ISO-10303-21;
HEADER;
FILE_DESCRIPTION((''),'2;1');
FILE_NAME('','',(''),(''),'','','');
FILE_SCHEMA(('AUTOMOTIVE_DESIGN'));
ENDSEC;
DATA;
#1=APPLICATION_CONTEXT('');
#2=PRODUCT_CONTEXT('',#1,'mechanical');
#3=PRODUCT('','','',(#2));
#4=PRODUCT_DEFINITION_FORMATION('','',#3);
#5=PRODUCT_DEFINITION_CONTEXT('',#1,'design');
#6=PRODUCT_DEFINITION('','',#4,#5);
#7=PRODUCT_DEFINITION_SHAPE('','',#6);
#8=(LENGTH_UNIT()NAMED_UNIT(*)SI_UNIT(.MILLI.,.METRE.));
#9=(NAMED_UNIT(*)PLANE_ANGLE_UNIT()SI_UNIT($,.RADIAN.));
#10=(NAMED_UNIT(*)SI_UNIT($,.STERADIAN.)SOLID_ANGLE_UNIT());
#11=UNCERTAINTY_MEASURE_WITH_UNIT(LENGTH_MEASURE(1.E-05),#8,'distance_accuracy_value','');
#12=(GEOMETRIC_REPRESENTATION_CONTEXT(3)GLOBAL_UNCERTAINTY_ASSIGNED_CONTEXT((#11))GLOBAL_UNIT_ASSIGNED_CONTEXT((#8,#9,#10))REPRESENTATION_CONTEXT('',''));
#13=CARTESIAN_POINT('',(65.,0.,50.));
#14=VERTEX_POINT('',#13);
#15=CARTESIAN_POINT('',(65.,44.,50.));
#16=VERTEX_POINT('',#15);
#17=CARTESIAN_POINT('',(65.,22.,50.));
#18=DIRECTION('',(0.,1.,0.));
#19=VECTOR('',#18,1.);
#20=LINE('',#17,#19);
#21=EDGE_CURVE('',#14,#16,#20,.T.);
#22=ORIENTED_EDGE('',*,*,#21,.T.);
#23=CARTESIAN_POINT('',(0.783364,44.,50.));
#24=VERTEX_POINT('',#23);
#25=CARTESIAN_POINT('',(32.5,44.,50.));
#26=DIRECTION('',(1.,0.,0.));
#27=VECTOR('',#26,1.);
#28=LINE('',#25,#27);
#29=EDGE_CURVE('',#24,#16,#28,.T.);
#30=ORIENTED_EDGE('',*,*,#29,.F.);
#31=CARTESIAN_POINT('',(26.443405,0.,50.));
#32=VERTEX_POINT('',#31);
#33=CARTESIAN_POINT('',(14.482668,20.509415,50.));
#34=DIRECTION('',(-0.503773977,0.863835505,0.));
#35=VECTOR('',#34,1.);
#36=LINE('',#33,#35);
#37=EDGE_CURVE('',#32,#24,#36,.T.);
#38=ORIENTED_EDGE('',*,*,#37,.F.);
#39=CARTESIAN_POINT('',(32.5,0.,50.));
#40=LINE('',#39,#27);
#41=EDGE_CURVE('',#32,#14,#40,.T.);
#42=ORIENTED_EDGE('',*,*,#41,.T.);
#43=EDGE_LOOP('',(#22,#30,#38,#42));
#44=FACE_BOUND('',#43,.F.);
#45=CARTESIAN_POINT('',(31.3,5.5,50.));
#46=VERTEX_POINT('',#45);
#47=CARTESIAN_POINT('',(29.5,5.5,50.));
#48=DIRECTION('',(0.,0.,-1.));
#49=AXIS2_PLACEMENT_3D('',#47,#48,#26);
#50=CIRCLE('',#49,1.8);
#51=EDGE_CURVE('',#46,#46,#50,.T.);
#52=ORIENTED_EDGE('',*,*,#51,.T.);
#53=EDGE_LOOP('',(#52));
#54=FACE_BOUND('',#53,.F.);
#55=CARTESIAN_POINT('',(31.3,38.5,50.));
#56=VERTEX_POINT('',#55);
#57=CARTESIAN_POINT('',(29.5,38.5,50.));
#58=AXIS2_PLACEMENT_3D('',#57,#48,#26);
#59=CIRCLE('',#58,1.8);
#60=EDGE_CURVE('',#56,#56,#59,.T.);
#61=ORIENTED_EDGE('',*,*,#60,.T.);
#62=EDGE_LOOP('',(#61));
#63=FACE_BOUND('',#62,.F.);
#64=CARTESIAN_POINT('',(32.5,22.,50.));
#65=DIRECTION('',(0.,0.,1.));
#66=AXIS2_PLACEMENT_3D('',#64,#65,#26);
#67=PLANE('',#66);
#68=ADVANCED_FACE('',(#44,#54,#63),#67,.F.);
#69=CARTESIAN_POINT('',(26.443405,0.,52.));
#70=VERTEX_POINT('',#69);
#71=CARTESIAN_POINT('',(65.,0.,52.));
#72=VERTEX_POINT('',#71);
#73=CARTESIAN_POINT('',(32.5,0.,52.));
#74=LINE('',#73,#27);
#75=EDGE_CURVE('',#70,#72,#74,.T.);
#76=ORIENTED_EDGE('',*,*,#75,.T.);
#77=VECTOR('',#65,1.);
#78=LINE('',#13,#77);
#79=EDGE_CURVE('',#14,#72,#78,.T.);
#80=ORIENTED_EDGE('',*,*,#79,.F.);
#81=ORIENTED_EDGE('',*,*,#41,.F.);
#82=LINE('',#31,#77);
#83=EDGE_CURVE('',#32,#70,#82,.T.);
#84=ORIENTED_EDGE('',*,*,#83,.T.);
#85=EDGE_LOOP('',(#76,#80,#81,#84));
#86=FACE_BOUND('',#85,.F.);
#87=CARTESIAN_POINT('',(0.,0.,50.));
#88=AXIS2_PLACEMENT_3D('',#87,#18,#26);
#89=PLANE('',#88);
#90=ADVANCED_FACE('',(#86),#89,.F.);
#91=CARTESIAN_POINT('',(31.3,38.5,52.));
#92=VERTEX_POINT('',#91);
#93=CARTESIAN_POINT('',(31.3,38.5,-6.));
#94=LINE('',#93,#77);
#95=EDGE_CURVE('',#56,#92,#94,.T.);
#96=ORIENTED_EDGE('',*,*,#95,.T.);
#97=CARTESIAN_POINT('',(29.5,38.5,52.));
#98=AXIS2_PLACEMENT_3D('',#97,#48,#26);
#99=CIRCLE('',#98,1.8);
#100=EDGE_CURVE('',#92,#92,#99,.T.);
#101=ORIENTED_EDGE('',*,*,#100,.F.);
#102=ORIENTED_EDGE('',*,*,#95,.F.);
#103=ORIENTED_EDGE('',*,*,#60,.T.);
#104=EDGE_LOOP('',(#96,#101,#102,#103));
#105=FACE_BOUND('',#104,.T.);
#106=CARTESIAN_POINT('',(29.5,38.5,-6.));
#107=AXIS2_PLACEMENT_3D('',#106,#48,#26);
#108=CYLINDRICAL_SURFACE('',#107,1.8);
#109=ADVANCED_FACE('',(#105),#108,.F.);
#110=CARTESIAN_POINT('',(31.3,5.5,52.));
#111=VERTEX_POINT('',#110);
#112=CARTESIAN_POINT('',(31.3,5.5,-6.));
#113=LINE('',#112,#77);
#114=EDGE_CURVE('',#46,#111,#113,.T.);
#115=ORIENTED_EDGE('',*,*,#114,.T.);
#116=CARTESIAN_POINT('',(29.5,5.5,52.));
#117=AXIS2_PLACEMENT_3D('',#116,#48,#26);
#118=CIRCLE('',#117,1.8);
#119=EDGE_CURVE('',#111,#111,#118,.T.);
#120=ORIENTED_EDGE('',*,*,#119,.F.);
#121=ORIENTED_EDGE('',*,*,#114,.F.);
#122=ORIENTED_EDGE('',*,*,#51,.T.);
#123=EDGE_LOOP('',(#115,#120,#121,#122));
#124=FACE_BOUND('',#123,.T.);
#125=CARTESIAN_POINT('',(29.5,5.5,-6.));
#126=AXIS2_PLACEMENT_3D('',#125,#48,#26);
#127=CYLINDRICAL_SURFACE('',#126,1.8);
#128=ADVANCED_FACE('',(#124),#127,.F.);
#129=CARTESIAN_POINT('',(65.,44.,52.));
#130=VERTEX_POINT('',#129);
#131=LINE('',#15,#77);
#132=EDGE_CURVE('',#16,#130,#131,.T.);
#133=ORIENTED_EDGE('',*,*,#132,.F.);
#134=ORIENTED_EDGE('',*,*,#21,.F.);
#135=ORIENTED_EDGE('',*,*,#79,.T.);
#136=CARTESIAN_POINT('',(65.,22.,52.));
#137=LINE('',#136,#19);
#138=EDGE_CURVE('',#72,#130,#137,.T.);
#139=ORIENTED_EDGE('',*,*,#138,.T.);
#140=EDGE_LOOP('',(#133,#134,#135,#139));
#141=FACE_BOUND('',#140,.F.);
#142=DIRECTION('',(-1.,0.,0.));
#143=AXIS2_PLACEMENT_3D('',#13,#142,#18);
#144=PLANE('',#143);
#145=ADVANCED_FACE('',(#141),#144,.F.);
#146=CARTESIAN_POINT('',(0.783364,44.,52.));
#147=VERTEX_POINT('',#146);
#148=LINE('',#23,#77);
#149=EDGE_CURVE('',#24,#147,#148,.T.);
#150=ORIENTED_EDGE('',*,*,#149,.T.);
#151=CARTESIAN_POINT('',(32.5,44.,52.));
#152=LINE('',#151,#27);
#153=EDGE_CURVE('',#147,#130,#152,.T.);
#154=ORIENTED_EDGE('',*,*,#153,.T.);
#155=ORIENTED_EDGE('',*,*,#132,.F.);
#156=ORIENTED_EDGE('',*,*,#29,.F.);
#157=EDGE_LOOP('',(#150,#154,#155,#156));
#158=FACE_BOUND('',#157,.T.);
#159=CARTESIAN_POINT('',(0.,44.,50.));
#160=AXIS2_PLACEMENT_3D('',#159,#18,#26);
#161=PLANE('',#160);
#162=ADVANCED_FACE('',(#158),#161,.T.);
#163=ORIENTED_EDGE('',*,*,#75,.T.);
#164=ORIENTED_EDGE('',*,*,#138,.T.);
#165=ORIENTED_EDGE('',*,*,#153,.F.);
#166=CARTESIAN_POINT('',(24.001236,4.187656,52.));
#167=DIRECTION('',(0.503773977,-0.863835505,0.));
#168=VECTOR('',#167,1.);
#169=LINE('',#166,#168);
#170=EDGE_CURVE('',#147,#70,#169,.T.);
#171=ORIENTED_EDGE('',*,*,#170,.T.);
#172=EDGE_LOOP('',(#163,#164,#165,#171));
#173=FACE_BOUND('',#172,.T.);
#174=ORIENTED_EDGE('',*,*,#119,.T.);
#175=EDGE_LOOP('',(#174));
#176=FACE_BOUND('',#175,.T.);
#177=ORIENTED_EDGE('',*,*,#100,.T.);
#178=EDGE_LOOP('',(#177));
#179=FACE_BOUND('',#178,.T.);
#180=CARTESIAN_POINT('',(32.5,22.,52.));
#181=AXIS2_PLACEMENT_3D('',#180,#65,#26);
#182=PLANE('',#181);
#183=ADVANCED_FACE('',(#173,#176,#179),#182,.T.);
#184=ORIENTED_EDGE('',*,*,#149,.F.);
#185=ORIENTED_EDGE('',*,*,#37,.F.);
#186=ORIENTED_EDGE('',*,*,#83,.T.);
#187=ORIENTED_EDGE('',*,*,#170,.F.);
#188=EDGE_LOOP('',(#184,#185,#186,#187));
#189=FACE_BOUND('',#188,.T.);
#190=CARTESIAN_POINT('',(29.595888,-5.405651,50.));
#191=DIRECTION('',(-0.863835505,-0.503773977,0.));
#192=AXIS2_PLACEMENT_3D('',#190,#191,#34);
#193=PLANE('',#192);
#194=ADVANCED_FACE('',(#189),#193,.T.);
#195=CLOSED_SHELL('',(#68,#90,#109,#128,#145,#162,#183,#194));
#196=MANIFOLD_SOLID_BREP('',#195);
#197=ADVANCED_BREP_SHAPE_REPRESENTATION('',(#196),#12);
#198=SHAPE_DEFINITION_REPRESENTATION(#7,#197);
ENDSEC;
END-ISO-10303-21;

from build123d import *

# Parameters (mm, degrees)
CYLINDER001_R          = 1.8
CYLINDER001_DEPTH      = 100
CYLINDER_R             = 1.8
CYLINDER_DEPTH         = 100
BOX001_W               = 25
BOX001_H               = 60
BOX001_DEPTH           = 25
BOX001_PLACEMENT_ANGLE = 30.25
BOX_W                  = 65
BOX_H                  = 44
BOX_DEPTH              = 2


with BuildPart() as zylinder001:
    # Cylinder001 → Cylinder001 (new body)
    with BuildSketch(Plane(origin=(29.5, 5.5, -6), x_dir=(1, 0, 0), z_dir=(0, 0, 1))):
        Circle(CYLINDER001_R)
    extrude(amount=CYLINDER001_DEPTH)


with BuildPart() as zylinder:
    # Cylinder → Cylinder (new body)
    with BuildSketch(Plane(origin=(29.5, 38.5, -6), x_dir=(1, 0, 0), z_dir=(0, 0, 1))):
        Circle(CYLINDER_R)
    extrude(amount=CYLINDER_DEPTH)


with BuildPart() as w_rfel001:
    # Box001 → Box001 (new body)
    with BuildSketch(Plane.XY):
        with Locations((12.5, 30)):
            Rectangle(BOX001_W, BOX001_H)
    extrude(amount=BOX001_DEPTH)


with BuildPart() as w_rfel001_1:
    # Box001 placement: moved
    add(w_rfel001.part.moved(Location((8, -18, 0))).rotate(Axis((8, -18, 0), (0, 0, 1)), BOX001_PLACEMENT_ANGLE))


with BuildPart() as cut008:
    # Box → Box (new body)
    with BuildSketch(Plane.XY):
        with Locations((32.5, 22)):
            Rectangle(BOX_W, BOX_H)
    extrude(amount=BOX_DEPTH)

    # Cut003: cut Würfel001
    add(w_rfel001_1.part, mode=Mode.SUBTRACT)


with BuildPart() as cut008_1:
    # Cut003 placement: moved
    add(cut008.part.moved(Location((0, 0, 50))))

    # Cut007: cut Zylinder
    add(zylinder.part, mode=Mode.SUBTRACT)

    # Cut008: cut Zylinder001
    add(zylinder001.part, mode=Mode.SUBTRACT)


solid = cut008_1.part
